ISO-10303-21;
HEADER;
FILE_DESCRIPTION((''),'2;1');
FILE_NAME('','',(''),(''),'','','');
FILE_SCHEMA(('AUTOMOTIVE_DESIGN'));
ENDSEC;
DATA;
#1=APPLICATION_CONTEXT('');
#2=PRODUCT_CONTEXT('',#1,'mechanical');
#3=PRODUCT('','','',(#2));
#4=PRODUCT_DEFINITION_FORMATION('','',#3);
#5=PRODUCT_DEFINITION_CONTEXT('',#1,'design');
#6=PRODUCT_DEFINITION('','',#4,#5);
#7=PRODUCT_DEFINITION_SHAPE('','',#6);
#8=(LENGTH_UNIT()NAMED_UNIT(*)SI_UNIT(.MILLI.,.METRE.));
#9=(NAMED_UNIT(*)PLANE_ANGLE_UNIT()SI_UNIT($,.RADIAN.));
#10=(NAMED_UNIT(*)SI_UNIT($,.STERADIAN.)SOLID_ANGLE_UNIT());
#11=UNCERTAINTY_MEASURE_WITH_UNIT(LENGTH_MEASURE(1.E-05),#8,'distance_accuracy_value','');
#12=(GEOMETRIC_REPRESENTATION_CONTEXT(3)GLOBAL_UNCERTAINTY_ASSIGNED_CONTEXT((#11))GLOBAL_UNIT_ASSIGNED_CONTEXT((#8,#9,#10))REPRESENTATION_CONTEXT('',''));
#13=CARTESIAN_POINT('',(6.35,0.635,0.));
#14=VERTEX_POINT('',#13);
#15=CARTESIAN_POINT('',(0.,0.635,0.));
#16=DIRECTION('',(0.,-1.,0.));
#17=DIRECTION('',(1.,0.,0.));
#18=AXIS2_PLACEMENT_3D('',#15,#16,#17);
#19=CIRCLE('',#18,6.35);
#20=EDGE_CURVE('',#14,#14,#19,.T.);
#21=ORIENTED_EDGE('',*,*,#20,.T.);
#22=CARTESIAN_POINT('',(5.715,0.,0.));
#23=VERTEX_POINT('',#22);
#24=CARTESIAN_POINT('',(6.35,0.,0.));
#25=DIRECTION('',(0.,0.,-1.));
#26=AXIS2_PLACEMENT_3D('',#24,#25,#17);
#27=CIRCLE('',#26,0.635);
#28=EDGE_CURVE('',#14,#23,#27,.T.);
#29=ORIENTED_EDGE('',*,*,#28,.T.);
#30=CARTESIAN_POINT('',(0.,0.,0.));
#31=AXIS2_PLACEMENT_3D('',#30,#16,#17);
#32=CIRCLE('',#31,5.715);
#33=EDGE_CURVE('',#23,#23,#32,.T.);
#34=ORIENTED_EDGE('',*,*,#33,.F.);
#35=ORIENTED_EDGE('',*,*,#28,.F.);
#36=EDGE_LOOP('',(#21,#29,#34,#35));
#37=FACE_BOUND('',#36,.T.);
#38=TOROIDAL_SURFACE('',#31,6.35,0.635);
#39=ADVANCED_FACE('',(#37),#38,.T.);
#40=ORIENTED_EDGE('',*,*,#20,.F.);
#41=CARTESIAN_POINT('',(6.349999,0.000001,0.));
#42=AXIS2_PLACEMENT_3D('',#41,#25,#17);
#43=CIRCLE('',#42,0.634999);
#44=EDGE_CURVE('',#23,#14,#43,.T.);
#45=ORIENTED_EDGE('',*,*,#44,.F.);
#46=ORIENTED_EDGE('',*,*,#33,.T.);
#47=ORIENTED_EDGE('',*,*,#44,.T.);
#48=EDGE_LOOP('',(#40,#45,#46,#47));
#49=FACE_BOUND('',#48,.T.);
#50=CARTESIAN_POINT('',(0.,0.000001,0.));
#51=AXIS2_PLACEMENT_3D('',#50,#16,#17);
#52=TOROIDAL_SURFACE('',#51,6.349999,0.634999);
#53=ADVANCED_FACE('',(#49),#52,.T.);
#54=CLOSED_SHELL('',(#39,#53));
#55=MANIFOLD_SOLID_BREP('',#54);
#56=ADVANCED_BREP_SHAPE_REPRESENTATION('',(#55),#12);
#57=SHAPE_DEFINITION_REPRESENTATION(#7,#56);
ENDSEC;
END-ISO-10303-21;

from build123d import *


with BuildPart() as f2:
    # F2: sweep along a path in F0
    with BuildLine(Plane.XZ) as f2_path:
        CenterArc((0, 0), 6.35, 0, 360)
    # F1 (on Right) → F2 (sweep)
    with BuildSketch(Plane.YZ):
        with BuildLine():
            ThreePointArc((0, 5.715), (0.449013, 5.900987), (0.635, 6.35))
            ThreePointArc((0.635, 6.35), (-0.449013, 6.799013), (0, 5.715))
        make_face()
    sweep(path=f2_path.line)


solid = f2.part
